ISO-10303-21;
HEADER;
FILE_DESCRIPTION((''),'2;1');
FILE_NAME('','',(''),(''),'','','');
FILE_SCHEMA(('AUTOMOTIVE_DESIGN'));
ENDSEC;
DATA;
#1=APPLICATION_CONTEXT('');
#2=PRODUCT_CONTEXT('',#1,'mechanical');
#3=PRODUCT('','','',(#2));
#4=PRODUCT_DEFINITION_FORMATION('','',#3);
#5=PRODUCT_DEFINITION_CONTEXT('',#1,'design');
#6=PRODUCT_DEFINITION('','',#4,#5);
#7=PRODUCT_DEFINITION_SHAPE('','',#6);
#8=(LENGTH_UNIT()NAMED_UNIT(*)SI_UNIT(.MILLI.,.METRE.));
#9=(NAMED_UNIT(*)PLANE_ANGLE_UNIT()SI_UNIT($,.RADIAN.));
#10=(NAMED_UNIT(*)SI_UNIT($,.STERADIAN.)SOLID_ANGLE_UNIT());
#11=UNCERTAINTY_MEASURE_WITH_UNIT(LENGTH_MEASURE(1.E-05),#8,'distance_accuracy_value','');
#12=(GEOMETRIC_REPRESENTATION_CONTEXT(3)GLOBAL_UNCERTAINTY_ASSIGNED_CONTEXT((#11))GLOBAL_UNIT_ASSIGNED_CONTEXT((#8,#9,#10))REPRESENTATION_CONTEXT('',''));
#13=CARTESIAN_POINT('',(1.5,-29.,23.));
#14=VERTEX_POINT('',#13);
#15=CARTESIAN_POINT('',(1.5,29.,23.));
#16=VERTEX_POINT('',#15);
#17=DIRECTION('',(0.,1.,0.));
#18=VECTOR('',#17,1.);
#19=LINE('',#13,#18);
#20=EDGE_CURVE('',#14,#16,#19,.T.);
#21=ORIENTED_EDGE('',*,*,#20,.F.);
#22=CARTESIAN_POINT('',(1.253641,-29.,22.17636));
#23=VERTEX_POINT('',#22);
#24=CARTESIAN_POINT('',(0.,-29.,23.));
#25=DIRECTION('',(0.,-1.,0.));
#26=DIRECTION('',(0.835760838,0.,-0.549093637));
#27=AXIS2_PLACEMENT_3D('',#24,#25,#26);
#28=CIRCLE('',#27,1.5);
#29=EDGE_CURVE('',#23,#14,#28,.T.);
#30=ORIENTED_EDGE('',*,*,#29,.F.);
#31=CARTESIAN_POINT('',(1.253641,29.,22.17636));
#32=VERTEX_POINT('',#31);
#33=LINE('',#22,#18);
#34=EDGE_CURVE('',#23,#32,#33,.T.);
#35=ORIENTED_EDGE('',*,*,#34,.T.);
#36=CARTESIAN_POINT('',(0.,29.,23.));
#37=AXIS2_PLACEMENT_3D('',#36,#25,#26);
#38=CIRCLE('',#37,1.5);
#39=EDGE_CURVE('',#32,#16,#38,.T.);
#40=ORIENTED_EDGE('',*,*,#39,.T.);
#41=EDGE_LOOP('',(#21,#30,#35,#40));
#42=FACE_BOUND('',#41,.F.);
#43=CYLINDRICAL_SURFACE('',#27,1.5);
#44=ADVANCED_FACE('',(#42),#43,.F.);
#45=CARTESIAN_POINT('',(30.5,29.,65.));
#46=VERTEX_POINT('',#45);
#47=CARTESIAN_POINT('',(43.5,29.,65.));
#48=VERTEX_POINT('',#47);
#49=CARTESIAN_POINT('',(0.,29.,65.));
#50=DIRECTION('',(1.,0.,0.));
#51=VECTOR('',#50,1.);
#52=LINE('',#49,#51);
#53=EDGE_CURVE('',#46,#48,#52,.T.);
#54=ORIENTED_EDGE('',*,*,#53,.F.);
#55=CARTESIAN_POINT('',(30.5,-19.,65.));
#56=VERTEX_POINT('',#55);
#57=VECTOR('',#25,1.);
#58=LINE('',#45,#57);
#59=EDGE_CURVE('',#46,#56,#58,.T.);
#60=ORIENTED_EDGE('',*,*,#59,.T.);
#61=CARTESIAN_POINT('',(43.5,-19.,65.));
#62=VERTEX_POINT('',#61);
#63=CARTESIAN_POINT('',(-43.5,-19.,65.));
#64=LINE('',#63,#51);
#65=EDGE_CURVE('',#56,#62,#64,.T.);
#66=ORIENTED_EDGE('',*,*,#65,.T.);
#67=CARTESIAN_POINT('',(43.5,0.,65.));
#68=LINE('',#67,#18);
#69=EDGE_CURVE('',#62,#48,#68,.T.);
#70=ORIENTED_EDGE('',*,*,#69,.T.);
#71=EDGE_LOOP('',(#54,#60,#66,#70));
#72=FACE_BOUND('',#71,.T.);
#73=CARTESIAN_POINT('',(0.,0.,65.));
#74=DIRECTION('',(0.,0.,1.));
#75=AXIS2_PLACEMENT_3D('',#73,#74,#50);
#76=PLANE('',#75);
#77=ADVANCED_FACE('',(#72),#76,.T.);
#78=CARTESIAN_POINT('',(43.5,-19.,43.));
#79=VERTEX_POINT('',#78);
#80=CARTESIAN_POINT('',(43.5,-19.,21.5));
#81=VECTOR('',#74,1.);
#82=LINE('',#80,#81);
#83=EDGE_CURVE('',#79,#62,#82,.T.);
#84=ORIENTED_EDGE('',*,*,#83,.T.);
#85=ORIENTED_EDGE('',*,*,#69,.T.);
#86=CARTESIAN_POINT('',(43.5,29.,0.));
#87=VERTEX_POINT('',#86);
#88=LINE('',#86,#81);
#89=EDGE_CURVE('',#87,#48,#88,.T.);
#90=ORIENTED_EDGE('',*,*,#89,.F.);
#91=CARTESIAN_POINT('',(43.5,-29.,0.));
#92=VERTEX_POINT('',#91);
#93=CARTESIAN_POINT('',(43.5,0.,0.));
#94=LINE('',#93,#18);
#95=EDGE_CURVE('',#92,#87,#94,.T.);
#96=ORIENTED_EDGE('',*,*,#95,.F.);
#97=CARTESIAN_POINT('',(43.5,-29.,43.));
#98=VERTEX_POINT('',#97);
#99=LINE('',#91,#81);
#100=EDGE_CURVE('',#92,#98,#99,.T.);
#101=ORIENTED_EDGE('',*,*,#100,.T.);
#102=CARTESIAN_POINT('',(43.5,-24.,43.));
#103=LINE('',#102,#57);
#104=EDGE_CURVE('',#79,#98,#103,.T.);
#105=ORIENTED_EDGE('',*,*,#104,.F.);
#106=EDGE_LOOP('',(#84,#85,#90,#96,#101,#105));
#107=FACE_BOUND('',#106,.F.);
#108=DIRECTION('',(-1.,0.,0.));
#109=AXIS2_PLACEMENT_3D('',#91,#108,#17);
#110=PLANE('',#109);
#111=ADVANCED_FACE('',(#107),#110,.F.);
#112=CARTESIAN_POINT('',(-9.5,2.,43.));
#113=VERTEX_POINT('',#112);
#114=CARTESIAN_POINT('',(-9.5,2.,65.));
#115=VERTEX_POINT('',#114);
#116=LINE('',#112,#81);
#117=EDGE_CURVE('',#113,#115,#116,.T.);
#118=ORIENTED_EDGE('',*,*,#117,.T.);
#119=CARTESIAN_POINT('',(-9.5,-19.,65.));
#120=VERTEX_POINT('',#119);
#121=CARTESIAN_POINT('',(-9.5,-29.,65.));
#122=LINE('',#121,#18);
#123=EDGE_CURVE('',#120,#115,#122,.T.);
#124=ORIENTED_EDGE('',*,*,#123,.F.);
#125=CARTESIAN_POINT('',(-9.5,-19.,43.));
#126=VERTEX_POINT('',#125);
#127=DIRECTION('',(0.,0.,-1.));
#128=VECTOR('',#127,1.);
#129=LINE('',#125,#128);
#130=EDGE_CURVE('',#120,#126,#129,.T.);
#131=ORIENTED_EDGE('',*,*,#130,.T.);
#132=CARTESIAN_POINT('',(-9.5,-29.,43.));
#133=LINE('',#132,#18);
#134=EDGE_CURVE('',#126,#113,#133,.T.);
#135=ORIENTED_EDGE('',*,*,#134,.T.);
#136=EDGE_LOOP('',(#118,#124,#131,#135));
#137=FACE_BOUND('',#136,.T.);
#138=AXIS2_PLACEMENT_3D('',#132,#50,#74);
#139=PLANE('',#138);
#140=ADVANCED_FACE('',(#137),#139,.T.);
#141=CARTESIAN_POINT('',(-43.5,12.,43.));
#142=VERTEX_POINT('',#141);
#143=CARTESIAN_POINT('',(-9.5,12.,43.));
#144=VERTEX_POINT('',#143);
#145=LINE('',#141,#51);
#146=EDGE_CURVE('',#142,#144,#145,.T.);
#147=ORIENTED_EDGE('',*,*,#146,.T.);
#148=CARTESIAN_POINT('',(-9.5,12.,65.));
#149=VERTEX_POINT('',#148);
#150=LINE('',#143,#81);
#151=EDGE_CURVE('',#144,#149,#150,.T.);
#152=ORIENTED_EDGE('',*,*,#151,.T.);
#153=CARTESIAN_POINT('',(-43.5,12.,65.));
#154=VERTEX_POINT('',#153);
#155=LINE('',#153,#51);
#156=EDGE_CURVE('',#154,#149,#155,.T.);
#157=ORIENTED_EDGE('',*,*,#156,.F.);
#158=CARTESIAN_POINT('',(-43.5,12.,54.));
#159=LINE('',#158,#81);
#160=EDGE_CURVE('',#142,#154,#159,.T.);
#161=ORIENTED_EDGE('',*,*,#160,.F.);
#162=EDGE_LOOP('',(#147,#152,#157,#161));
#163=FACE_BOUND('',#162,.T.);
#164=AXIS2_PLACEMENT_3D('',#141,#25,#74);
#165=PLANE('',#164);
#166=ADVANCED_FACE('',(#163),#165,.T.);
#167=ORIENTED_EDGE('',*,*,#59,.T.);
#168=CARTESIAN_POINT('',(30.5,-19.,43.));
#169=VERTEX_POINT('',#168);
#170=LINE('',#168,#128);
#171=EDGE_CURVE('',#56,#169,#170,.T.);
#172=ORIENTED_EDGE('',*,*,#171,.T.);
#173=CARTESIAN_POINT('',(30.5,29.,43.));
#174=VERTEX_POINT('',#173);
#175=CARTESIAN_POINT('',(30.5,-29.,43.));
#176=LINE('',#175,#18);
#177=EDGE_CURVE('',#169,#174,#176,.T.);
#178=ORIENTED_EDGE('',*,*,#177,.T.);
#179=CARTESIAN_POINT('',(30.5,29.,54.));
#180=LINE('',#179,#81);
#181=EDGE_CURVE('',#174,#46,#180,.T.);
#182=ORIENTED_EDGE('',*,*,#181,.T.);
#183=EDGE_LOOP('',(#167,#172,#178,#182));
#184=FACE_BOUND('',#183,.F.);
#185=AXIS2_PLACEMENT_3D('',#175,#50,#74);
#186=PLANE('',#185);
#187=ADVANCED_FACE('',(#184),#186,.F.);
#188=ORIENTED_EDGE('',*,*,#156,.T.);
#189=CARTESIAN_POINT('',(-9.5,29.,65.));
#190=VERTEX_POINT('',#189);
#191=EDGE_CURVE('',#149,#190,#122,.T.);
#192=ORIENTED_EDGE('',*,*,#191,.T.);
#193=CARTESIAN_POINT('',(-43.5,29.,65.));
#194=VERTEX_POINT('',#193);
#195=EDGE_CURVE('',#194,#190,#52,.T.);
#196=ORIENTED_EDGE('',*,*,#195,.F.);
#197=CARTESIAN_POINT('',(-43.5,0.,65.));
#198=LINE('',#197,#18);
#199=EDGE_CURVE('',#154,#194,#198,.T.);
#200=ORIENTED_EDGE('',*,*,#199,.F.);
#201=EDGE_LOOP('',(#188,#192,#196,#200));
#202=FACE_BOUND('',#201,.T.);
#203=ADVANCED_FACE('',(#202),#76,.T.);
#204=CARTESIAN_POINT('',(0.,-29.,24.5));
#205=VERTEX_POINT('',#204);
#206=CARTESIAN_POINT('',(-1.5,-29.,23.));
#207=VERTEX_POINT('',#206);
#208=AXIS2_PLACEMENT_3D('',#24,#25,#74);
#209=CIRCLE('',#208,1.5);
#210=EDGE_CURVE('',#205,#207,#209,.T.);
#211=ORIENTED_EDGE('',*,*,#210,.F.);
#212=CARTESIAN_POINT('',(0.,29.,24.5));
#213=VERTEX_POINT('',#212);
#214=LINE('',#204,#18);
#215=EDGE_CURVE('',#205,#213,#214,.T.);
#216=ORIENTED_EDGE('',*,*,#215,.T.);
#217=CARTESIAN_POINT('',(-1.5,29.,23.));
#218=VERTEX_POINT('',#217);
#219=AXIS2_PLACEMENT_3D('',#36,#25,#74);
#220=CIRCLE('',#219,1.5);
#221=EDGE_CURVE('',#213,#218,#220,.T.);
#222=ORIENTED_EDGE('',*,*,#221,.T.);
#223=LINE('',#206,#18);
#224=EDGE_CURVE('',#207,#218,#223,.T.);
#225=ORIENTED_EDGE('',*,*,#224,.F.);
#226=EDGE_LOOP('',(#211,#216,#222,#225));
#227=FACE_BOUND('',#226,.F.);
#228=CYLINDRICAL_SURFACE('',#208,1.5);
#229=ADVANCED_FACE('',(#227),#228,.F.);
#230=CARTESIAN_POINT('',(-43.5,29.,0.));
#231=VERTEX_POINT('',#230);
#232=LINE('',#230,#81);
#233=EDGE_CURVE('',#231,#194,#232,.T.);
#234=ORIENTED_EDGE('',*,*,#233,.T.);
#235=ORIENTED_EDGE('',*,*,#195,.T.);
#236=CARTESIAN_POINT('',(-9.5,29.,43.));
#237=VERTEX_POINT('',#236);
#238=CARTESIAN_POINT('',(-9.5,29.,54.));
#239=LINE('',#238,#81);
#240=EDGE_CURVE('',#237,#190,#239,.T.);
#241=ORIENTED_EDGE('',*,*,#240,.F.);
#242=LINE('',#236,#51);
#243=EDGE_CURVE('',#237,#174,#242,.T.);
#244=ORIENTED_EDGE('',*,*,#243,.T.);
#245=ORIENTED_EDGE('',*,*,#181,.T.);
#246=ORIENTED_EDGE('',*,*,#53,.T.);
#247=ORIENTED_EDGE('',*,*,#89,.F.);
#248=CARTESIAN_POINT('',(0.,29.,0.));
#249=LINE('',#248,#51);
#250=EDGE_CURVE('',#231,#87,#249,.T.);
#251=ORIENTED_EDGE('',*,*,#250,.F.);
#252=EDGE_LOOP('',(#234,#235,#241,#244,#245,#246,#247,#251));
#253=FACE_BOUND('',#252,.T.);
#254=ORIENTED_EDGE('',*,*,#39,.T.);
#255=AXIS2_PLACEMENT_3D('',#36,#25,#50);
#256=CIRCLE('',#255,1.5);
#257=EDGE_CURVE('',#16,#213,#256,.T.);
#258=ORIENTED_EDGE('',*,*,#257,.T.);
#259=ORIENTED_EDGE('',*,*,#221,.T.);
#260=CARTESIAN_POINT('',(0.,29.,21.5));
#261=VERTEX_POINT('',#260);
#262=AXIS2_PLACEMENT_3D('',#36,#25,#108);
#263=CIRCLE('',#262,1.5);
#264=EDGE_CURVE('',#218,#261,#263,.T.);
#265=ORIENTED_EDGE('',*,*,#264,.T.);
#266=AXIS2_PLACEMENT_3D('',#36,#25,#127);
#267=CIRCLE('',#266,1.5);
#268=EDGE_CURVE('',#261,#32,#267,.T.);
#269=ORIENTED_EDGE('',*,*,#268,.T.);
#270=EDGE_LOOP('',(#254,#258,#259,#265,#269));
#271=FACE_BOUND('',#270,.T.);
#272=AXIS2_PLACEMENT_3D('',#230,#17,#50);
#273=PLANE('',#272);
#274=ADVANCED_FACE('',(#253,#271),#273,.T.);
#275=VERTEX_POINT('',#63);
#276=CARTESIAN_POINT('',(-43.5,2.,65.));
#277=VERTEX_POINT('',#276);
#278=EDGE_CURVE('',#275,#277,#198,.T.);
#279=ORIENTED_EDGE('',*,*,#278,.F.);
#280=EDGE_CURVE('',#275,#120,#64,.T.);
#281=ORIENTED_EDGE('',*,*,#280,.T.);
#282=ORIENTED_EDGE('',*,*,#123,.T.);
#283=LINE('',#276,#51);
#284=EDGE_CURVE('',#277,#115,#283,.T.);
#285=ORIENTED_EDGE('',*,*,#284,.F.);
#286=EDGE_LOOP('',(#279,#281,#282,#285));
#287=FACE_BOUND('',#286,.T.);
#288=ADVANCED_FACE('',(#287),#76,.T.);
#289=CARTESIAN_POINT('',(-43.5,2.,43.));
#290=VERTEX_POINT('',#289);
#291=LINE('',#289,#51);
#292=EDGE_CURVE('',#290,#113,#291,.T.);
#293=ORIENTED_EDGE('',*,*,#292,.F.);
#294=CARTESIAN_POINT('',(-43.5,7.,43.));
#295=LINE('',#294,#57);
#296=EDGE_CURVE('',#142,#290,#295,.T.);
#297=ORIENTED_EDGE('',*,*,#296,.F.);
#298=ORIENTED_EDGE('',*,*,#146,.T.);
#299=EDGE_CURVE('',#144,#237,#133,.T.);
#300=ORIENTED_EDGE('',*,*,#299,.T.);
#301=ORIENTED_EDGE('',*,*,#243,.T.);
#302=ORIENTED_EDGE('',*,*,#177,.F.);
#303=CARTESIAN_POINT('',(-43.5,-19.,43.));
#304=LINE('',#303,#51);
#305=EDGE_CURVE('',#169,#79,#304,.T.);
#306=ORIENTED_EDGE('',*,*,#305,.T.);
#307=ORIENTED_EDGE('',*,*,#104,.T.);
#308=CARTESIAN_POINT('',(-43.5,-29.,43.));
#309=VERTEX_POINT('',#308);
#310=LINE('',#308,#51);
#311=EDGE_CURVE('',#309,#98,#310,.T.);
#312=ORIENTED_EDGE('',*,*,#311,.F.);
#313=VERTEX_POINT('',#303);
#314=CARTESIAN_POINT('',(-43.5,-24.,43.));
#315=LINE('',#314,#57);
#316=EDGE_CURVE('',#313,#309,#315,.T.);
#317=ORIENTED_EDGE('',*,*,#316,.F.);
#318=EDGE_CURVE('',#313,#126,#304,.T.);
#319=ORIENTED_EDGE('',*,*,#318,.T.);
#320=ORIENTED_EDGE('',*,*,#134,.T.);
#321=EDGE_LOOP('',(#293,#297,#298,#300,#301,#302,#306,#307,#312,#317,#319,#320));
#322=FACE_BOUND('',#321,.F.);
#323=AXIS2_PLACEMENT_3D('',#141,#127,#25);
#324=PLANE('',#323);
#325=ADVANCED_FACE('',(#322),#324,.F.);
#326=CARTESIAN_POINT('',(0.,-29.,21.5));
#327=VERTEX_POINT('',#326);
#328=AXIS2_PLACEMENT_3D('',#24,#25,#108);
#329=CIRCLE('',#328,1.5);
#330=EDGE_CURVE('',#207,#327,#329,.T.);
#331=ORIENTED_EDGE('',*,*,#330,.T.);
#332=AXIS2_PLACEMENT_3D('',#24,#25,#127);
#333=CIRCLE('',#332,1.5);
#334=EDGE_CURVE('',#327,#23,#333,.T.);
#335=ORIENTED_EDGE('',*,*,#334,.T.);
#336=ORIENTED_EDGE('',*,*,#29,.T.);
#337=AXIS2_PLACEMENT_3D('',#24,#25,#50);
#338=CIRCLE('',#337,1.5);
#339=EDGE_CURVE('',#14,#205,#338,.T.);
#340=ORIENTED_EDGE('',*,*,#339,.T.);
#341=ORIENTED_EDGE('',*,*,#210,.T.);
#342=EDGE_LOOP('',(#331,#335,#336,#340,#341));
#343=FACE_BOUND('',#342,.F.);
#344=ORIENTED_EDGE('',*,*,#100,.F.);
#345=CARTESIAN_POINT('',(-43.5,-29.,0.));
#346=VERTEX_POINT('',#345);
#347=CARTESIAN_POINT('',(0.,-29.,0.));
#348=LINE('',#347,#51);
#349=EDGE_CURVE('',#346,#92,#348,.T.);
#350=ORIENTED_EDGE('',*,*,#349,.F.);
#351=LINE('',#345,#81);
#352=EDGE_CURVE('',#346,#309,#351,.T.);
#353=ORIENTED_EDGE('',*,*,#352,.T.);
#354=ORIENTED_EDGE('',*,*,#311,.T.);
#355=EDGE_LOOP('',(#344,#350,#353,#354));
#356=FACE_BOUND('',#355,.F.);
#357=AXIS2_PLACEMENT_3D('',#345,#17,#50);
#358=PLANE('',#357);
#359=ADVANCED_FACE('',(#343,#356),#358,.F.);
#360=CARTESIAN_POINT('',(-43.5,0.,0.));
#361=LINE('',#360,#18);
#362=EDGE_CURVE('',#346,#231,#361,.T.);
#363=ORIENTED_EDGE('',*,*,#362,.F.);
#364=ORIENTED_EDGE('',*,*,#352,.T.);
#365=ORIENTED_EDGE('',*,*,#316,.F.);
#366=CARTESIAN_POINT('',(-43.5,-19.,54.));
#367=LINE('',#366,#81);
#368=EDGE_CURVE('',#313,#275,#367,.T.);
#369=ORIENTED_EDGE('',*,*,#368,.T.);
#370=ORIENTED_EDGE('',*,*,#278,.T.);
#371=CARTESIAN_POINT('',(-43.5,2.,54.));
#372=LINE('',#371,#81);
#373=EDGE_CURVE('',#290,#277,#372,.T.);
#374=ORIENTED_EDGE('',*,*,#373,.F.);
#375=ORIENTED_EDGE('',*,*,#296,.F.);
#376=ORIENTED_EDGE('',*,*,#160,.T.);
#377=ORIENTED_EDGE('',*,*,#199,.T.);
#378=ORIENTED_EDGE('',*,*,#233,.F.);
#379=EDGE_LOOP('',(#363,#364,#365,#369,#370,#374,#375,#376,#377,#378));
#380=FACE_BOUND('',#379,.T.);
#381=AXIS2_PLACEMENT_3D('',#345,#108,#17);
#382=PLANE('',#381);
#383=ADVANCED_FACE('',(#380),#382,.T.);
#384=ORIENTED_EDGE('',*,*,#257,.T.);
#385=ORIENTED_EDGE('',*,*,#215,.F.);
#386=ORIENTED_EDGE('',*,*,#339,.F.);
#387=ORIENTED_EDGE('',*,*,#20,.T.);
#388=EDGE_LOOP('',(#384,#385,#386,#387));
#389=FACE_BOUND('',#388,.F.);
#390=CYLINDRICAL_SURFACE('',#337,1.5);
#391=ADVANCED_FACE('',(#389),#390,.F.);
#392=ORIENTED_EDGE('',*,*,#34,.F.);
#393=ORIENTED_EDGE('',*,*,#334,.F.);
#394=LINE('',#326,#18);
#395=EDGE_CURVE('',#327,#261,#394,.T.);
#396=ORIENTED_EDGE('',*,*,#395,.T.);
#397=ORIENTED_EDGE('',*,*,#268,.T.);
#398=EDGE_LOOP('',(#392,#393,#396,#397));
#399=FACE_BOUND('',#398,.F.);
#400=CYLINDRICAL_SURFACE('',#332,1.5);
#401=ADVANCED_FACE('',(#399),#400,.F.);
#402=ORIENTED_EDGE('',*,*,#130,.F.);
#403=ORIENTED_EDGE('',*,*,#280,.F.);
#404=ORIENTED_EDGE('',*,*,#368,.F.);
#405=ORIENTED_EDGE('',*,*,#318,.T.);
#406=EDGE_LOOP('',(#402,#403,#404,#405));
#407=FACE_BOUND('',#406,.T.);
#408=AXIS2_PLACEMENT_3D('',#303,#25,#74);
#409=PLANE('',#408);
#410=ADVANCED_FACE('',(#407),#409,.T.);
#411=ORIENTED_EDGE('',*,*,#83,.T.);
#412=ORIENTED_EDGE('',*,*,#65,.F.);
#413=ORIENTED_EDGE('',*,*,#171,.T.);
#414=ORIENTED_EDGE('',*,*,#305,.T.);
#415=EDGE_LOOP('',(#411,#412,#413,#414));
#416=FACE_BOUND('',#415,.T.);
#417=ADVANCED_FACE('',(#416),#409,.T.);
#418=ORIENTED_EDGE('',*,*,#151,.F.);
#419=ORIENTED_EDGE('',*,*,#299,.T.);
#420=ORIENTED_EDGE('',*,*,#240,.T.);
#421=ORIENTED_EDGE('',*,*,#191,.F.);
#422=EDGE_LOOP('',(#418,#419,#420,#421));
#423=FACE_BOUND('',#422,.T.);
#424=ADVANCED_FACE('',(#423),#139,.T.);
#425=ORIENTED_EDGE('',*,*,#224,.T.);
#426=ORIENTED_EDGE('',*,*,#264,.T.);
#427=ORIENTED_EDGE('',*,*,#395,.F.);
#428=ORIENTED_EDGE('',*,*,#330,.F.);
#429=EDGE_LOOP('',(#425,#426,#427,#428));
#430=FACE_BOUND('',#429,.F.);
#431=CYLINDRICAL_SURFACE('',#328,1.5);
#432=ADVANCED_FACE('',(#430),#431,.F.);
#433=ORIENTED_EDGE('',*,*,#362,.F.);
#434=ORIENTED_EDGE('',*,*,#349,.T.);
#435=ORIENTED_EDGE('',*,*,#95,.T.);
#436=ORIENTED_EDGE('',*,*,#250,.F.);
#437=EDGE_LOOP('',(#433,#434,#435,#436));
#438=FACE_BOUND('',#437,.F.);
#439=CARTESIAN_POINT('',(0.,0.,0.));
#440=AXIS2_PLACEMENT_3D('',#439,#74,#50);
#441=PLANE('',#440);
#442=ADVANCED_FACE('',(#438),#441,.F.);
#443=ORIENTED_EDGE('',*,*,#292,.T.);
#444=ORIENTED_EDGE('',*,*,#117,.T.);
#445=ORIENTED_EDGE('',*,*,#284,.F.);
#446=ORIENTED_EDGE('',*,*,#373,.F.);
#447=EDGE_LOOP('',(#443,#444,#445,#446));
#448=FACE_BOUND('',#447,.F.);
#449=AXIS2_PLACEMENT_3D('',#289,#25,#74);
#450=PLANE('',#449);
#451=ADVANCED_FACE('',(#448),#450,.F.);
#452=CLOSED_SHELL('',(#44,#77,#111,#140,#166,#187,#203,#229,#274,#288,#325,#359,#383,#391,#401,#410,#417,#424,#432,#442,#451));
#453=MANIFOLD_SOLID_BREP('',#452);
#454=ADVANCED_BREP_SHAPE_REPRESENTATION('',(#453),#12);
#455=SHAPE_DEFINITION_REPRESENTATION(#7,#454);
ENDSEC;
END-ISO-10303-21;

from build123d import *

# Parameters (mm, degrees)
F0_W     = 87
F0_H     = 58
F1_DEPTH = 65
F2_W     = 10
F2_H     = 22
F3_DEPTH = 74
F4_W     = 9.5
F4_H     = 22
F4_W_2   = 30.5
F5_DEPTH = 58
F6_DEPTH = 90
F7_DEPTH = 99


with BuildPart() as f1:
    # F0 (on Top) → F1 (new body)
    with BuildSketch(Plane.XY):
        Rectangle(F0_W, F0_H)
    extrude(amount=F1_DEPTH)

    # F2 (on face) → F3 (cut)
    with BuildSketch(Plane(origin=(-43.5, 0, 0), x_dir=(0, -1, 0), z_dir=(-1, 0, 0))):
        with Locations((-7, 54)):
            Rectangle(F2_W, F2_H)
    extrude(amount=-F3_DEPTH, mode=Mode.SUBTRACT)

    # F4 (on face) → F5 (cut)
    with BuildSketch(Plane.XZ.offset(29)):
        with Locations((-4.75, 54)):
            Rectangle(F4_W, F4_H)
        with Locations((15.25, 54)):
            Rectangle(F4_W_2, F4_H)
    extrude(amount=-F5_DEPTH, mode=Mode.SUBTRACT)

    # F2 (on face) → F6 (cut)
    with BuildSketch(Plane(origin=(-43.5, 0, 0), x_dir=(0, -1, 0), z_dir=(-1, 0, 0))):
        with Locations((24, 54)):
            Rectangle(F2_W, F2_H)
    extrude(amount=-F6_DEPTH, mode=Mode.SUBTRACT)

    # F4 (on face) → F7 (cut)
    with BuildSketch(Plane.XZ.offset(29)):
        with BuildLine():
            ThreePointArc((1.5, 23), (1.0606601718, 24.0606601718), (0, 24.5))
            Line((0, 24.5), (0, 23))
            Line((0, 23), (1.5, 23))
        make_face()
        with BuildLine():
            ThreePointArc((0, 24.5), (-1.0606601718, 24.0606601718), (-1.5, 23))
            Line((-1.5, 23), (0, 23))
            Line((0, 23), (0, 24.5))
        make_face()
        with BuildLine():
            Line((0, 23), (-1.5, 23))
            ThreePointArc((-1.5, 23), (-1.0606601718, 21.9393398282), (0, 21.5))
            Line((0, 21.5), (0, 23))
        make_face()
        with BuildLine():
            Line((1.2536412571, 22.1763595454), (0, 23))
            Line((0, 23), (0, 21.5))
            ThreePointArc((0, 21.5), (0.7122286565, 21.6798748768), (1.2536412571, 22.1763595454))
        make_face()
        with BuildLine():
            Line((1.5, 23), (0, 23))
            Line((0, 23), (1.2536412571, 22.1763595454))
            ThreePointArc((1.2536412571, 22.1763595454), (1.4370911394, 22.5701522861), (1.5, 23))
        make_face()
    extrude(amount=-F7_DEPTH, mode=Mode.SUBTRACT)


solid = f1.part
